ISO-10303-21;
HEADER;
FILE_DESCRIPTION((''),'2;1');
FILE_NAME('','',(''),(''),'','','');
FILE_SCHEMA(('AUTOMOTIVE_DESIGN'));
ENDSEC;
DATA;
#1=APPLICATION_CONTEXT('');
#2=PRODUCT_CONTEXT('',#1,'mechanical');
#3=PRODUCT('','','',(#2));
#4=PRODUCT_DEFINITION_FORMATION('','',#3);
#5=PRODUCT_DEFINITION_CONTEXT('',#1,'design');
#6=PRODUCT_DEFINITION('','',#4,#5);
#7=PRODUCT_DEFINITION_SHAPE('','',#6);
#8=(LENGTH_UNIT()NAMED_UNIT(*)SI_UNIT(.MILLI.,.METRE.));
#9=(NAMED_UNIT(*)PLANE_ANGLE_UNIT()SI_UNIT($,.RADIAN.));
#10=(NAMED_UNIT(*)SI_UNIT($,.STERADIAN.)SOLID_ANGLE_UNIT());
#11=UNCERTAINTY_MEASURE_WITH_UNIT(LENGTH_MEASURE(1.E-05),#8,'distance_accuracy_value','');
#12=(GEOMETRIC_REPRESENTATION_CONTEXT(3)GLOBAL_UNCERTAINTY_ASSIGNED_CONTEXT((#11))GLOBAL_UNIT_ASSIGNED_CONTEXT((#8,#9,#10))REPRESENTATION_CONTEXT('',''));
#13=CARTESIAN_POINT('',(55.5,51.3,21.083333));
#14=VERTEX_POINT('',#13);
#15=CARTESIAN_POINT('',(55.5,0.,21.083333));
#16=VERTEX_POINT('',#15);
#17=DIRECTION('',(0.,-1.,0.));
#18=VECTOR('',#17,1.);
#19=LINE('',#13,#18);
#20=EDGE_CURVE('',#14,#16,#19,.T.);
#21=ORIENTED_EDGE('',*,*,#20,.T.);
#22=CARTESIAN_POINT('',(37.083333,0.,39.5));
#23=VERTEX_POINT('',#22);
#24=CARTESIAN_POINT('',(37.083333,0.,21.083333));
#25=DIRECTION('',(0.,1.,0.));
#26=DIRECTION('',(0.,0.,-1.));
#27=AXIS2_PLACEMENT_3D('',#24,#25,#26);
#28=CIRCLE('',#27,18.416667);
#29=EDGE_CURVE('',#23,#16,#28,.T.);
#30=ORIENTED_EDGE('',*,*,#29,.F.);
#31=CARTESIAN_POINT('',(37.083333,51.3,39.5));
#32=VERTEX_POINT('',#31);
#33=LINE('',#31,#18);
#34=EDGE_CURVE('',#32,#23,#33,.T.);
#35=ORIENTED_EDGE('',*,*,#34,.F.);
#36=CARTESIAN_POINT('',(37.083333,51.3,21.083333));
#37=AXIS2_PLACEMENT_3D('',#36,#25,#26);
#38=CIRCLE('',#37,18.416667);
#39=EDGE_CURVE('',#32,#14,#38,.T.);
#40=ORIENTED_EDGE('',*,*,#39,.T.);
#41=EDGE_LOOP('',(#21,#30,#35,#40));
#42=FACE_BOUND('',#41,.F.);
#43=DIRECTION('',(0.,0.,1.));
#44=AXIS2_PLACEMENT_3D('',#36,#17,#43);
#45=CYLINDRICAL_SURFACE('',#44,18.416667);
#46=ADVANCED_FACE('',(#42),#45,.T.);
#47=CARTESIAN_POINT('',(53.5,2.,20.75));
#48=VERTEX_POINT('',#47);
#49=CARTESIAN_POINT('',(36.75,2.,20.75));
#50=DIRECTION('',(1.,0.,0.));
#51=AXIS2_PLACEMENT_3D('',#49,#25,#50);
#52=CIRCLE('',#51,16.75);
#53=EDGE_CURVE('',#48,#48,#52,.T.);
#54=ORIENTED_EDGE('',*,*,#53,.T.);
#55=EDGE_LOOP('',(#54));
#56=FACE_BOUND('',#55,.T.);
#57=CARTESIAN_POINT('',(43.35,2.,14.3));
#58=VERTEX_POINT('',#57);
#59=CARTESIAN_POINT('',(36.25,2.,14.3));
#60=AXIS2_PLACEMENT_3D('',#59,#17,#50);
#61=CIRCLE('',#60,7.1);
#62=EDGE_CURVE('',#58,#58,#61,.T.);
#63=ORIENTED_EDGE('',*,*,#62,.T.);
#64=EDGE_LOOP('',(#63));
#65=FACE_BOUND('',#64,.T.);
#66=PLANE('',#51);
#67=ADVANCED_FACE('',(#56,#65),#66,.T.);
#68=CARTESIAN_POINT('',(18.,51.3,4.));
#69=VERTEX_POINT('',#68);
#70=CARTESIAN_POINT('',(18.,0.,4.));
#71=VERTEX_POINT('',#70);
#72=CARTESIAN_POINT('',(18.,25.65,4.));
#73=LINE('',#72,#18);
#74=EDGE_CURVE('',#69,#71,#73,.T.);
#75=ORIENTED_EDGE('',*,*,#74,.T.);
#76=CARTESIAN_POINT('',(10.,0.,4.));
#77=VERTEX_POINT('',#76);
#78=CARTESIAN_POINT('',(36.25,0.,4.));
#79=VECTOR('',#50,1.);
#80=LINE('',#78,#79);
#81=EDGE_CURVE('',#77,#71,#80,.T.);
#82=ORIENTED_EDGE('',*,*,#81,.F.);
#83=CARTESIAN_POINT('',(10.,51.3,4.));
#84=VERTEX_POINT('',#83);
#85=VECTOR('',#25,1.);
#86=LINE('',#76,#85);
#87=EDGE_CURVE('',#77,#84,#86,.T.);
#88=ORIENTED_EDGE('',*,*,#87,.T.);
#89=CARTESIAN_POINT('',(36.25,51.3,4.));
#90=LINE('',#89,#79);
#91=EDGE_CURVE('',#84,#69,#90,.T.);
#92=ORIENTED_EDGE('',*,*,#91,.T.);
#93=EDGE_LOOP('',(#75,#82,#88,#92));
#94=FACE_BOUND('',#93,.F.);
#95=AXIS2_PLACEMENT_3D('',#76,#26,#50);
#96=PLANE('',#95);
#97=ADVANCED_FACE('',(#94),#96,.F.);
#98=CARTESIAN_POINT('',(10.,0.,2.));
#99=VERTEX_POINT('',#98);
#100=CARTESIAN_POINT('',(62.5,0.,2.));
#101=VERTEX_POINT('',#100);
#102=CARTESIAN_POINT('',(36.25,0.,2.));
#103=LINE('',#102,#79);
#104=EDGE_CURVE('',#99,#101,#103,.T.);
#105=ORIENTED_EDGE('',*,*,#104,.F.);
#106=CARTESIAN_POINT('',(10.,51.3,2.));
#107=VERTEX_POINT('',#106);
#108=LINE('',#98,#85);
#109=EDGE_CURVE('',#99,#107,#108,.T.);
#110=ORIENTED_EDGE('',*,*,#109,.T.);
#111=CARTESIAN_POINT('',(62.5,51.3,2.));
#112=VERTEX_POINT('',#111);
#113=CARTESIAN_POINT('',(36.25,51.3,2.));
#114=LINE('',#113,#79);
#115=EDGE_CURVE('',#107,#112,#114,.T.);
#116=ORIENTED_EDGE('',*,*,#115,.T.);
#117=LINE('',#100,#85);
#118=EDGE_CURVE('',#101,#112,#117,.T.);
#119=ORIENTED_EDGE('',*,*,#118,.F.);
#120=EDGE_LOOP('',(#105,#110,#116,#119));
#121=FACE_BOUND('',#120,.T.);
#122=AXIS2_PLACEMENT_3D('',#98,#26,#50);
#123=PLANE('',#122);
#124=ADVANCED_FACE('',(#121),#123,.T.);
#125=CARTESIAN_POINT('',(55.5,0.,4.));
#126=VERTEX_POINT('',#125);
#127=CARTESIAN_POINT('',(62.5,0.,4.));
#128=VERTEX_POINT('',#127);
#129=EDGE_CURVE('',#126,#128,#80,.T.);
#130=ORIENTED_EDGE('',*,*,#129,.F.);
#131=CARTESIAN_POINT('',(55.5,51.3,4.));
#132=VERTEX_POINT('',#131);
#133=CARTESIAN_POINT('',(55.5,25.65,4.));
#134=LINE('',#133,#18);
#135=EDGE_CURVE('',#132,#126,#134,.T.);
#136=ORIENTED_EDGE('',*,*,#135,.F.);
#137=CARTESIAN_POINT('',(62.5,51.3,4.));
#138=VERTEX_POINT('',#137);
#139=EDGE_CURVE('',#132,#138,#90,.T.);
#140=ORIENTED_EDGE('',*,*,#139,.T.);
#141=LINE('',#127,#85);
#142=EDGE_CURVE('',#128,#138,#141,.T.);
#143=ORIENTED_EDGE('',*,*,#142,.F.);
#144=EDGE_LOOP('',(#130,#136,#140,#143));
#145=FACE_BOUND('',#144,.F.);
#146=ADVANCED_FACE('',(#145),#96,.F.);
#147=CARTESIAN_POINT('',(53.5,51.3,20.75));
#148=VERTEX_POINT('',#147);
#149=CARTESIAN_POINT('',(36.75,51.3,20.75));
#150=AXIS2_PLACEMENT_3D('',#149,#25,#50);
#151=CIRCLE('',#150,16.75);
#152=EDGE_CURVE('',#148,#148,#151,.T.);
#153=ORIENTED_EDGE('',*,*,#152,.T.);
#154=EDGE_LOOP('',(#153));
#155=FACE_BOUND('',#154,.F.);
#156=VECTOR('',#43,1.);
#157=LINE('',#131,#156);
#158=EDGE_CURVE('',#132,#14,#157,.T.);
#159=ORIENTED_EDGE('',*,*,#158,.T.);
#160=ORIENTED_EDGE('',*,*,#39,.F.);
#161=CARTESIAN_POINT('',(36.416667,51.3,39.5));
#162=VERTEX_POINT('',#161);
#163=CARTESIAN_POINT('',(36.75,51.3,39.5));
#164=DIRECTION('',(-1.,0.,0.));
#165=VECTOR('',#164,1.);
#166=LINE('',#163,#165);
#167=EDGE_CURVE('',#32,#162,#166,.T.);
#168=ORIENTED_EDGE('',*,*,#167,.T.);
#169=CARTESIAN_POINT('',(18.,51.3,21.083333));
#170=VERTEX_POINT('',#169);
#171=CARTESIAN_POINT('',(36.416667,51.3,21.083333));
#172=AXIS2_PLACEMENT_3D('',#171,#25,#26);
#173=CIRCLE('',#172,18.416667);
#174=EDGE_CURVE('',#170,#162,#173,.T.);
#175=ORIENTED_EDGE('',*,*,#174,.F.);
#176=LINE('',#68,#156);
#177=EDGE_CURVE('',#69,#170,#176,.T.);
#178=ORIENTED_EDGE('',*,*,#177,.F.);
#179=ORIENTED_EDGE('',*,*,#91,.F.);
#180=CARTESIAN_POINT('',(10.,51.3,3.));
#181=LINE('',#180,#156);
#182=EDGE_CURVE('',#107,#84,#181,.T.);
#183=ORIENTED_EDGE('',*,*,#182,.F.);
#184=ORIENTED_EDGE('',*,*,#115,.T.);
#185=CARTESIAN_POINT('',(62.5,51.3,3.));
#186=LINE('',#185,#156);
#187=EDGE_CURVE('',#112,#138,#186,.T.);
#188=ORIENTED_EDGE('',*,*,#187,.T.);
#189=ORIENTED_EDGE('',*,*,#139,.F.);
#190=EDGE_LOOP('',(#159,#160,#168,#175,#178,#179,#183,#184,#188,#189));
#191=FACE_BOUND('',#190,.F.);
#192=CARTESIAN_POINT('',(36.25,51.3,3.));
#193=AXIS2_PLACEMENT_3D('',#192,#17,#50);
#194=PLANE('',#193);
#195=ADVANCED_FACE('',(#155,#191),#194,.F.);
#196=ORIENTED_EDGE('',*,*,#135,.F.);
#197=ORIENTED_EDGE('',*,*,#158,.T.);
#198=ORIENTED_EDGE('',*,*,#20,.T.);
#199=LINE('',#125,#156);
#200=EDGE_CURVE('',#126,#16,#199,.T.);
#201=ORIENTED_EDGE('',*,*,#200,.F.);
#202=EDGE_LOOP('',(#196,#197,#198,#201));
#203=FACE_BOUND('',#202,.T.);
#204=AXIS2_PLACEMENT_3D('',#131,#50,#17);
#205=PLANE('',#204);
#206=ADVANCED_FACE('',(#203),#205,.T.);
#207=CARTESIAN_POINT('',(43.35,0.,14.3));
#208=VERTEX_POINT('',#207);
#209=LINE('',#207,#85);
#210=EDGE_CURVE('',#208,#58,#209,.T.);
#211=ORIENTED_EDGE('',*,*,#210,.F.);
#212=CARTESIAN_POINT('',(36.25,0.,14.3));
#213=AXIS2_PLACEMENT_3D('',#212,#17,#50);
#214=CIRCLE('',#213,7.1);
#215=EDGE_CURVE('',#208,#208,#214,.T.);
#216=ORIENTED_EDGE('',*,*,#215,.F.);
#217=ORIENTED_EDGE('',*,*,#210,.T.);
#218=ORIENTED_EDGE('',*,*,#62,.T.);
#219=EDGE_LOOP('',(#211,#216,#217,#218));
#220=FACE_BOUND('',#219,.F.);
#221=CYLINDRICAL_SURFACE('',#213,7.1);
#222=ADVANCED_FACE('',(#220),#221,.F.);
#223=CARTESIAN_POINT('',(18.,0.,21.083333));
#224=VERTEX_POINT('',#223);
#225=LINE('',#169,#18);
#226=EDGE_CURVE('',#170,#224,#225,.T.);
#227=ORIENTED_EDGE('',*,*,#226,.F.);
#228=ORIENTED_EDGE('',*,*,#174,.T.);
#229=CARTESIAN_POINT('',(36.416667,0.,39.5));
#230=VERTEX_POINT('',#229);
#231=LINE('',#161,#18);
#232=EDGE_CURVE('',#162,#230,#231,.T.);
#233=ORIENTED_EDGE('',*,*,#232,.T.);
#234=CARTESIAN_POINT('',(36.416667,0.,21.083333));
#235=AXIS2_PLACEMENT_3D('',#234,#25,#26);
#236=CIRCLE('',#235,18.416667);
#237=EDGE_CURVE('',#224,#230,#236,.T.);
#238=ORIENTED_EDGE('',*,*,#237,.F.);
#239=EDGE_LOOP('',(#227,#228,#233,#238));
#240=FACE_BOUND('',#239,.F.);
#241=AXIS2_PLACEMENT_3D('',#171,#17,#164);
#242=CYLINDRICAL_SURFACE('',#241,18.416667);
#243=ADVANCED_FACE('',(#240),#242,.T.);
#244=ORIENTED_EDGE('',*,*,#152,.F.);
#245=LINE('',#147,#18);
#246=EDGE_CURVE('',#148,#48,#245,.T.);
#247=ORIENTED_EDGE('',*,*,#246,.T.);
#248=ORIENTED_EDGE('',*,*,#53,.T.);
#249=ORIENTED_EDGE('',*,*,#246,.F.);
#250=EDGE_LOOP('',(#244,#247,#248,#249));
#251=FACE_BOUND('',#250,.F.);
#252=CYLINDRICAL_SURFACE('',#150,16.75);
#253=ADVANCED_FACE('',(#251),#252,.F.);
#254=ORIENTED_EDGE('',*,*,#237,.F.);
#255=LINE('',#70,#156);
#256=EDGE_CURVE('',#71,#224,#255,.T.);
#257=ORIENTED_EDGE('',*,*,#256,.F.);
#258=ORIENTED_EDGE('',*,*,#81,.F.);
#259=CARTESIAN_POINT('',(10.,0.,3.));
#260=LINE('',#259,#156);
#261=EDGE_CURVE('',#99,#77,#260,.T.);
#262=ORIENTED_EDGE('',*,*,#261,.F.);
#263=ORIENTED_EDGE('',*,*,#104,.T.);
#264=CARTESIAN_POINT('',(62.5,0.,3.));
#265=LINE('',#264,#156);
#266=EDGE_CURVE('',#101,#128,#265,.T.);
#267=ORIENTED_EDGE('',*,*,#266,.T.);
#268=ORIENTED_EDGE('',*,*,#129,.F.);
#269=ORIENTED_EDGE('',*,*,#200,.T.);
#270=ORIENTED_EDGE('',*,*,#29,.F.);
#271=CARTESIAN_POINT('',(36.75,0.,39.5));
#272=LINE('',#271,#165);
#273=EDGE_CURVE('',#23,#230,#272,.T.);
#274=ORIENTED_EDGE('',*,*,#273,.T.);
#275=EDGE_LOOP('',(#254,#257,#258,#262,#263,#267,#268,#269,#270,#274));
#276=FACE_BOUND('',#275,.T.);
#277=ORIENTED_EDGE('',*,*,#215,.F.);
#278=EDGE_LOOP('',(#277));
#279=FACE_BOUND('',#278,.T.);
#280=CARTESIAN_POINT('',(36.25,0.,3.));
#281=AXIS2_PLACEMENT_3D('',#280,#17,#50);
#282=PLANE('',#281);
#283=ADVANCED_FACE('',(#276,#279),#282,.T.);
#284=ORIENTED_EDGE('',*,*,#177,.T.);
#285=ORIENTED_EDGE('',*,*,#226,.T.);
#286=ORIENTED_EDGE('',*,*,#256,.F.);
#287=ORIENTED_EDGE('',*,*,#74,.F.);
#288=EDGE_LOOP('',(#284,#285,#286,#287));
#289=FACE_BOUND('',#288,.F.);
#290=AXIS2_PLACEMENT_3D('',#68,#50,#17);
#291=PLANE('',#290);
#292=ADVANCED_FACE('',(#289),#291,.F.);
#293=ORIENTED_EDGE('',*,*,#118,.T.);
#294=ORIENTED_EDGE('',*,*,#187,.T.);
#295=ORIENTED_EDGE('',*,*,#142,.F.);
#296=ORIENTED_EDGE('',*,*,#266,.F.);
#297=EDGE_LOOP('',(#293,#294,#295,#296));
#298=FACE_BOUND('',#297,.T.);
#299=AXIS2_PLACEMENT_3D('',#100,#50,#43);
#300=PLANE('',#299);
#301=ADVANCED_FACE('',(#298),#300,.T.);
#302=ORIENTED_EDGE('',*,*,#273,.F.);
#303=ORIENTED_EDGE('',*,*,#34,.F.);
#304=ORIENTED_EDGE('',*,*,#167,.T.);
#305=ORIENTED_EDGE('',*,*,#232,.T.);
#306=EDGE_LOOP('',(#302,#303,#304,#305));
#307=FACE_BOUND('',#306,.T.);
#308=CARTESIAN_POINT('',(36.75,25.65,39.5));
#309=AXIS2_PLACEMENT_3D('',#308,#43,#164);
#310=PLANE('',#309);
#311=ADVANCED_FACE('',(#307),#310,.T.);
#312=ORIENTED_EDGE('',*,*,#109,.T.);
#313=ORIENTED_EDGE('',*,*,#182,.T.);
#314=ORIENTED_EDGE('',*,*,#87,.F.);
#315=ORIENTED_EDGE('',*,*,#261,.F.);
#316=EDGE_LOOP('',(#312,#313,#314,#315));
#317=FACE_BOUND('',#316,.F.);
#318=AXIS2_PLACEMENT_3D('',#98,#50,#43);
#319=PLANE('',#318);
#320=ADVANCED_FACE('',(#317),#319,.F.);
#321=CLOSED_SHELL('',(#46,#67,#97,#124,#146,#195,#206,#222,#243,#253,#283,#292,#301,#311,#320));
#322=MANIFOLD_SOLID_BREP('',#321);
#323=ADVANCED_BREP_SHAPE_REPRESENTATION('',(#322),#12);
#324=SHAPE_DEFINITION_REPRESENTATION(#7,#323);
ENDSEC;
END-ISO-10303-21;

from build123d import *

# Parameters (mm, degrees)
SKETCH018_W     = 52.5
SKETCH018_H     = 2
PAD014_DEPTH    = 51.3
SKETCH028_W     = 37.5
SKETCH028_H     = 51.3
PAD015_DEPTH    = 35.5
FILLET001_R     = 18.416667
SKETCH031_R     = 7.1
POCKET005_DEPTH = 2
SKETCH032_R     = 16.75
POCKET006_DEPTH = 49.3


with BuildPart() as part:
    # Sketch018 → Pad014 (new body)
    with BuildSketch(Plane.XZ):
        with Locations((36.25, 3)):
            Rectangle(SKETCH018_W, SKETCH018_H)
    extrude(amount=-PAD014_DEPTH)

    # Sketch028 (on Face1 of Pad014) → Pad015 (join)
    with BuildSketch(Plane(origin=(0, 0, 4), x_dir=(-1, 0, 0), z_dir=(0, 0, 1))):
        with Locations((-36.75, -25.65)):
            Rectangle(SKETCH028_W, SKETCH028_H)
    extrude(amount=PAD015_DEPTH)

    # Fillet001
    fillet001_edges = [part.edges().sort_by_distance(p)[0] for p in [
        (18, 25.65, 39.5),
        (55.5, 25.65, 39.5),
    ]]
    fillet(fillet001_edges, radius=FILLET001_R)

    # Sketch031 (on Face6 of Pad015) → Pocket005 (cut)
    with BuildSketch(Plane.XZ):
        with Locations((36.25, 14.3)):
            Circle(SKETCH031_R)
    extrude(amount=-POCKET005_DEPTH, mode=Mode.SUBTRACT)

    # Sketch032 (on Face5 of Pocket005) → Pocket006 (cut)
    with BuildSketch(Plane(origin=(0, 51.3, 0), x_dir=(1, 0, 0), z_dir=(0, 1, 0))):
        with Locations((36.75, -20.75)):
            Circle(SKETCH032_R)
    extrude(amount=-POCKET006_DEPTH, mode=Mode.SUBTRACT)


solid = part.part
